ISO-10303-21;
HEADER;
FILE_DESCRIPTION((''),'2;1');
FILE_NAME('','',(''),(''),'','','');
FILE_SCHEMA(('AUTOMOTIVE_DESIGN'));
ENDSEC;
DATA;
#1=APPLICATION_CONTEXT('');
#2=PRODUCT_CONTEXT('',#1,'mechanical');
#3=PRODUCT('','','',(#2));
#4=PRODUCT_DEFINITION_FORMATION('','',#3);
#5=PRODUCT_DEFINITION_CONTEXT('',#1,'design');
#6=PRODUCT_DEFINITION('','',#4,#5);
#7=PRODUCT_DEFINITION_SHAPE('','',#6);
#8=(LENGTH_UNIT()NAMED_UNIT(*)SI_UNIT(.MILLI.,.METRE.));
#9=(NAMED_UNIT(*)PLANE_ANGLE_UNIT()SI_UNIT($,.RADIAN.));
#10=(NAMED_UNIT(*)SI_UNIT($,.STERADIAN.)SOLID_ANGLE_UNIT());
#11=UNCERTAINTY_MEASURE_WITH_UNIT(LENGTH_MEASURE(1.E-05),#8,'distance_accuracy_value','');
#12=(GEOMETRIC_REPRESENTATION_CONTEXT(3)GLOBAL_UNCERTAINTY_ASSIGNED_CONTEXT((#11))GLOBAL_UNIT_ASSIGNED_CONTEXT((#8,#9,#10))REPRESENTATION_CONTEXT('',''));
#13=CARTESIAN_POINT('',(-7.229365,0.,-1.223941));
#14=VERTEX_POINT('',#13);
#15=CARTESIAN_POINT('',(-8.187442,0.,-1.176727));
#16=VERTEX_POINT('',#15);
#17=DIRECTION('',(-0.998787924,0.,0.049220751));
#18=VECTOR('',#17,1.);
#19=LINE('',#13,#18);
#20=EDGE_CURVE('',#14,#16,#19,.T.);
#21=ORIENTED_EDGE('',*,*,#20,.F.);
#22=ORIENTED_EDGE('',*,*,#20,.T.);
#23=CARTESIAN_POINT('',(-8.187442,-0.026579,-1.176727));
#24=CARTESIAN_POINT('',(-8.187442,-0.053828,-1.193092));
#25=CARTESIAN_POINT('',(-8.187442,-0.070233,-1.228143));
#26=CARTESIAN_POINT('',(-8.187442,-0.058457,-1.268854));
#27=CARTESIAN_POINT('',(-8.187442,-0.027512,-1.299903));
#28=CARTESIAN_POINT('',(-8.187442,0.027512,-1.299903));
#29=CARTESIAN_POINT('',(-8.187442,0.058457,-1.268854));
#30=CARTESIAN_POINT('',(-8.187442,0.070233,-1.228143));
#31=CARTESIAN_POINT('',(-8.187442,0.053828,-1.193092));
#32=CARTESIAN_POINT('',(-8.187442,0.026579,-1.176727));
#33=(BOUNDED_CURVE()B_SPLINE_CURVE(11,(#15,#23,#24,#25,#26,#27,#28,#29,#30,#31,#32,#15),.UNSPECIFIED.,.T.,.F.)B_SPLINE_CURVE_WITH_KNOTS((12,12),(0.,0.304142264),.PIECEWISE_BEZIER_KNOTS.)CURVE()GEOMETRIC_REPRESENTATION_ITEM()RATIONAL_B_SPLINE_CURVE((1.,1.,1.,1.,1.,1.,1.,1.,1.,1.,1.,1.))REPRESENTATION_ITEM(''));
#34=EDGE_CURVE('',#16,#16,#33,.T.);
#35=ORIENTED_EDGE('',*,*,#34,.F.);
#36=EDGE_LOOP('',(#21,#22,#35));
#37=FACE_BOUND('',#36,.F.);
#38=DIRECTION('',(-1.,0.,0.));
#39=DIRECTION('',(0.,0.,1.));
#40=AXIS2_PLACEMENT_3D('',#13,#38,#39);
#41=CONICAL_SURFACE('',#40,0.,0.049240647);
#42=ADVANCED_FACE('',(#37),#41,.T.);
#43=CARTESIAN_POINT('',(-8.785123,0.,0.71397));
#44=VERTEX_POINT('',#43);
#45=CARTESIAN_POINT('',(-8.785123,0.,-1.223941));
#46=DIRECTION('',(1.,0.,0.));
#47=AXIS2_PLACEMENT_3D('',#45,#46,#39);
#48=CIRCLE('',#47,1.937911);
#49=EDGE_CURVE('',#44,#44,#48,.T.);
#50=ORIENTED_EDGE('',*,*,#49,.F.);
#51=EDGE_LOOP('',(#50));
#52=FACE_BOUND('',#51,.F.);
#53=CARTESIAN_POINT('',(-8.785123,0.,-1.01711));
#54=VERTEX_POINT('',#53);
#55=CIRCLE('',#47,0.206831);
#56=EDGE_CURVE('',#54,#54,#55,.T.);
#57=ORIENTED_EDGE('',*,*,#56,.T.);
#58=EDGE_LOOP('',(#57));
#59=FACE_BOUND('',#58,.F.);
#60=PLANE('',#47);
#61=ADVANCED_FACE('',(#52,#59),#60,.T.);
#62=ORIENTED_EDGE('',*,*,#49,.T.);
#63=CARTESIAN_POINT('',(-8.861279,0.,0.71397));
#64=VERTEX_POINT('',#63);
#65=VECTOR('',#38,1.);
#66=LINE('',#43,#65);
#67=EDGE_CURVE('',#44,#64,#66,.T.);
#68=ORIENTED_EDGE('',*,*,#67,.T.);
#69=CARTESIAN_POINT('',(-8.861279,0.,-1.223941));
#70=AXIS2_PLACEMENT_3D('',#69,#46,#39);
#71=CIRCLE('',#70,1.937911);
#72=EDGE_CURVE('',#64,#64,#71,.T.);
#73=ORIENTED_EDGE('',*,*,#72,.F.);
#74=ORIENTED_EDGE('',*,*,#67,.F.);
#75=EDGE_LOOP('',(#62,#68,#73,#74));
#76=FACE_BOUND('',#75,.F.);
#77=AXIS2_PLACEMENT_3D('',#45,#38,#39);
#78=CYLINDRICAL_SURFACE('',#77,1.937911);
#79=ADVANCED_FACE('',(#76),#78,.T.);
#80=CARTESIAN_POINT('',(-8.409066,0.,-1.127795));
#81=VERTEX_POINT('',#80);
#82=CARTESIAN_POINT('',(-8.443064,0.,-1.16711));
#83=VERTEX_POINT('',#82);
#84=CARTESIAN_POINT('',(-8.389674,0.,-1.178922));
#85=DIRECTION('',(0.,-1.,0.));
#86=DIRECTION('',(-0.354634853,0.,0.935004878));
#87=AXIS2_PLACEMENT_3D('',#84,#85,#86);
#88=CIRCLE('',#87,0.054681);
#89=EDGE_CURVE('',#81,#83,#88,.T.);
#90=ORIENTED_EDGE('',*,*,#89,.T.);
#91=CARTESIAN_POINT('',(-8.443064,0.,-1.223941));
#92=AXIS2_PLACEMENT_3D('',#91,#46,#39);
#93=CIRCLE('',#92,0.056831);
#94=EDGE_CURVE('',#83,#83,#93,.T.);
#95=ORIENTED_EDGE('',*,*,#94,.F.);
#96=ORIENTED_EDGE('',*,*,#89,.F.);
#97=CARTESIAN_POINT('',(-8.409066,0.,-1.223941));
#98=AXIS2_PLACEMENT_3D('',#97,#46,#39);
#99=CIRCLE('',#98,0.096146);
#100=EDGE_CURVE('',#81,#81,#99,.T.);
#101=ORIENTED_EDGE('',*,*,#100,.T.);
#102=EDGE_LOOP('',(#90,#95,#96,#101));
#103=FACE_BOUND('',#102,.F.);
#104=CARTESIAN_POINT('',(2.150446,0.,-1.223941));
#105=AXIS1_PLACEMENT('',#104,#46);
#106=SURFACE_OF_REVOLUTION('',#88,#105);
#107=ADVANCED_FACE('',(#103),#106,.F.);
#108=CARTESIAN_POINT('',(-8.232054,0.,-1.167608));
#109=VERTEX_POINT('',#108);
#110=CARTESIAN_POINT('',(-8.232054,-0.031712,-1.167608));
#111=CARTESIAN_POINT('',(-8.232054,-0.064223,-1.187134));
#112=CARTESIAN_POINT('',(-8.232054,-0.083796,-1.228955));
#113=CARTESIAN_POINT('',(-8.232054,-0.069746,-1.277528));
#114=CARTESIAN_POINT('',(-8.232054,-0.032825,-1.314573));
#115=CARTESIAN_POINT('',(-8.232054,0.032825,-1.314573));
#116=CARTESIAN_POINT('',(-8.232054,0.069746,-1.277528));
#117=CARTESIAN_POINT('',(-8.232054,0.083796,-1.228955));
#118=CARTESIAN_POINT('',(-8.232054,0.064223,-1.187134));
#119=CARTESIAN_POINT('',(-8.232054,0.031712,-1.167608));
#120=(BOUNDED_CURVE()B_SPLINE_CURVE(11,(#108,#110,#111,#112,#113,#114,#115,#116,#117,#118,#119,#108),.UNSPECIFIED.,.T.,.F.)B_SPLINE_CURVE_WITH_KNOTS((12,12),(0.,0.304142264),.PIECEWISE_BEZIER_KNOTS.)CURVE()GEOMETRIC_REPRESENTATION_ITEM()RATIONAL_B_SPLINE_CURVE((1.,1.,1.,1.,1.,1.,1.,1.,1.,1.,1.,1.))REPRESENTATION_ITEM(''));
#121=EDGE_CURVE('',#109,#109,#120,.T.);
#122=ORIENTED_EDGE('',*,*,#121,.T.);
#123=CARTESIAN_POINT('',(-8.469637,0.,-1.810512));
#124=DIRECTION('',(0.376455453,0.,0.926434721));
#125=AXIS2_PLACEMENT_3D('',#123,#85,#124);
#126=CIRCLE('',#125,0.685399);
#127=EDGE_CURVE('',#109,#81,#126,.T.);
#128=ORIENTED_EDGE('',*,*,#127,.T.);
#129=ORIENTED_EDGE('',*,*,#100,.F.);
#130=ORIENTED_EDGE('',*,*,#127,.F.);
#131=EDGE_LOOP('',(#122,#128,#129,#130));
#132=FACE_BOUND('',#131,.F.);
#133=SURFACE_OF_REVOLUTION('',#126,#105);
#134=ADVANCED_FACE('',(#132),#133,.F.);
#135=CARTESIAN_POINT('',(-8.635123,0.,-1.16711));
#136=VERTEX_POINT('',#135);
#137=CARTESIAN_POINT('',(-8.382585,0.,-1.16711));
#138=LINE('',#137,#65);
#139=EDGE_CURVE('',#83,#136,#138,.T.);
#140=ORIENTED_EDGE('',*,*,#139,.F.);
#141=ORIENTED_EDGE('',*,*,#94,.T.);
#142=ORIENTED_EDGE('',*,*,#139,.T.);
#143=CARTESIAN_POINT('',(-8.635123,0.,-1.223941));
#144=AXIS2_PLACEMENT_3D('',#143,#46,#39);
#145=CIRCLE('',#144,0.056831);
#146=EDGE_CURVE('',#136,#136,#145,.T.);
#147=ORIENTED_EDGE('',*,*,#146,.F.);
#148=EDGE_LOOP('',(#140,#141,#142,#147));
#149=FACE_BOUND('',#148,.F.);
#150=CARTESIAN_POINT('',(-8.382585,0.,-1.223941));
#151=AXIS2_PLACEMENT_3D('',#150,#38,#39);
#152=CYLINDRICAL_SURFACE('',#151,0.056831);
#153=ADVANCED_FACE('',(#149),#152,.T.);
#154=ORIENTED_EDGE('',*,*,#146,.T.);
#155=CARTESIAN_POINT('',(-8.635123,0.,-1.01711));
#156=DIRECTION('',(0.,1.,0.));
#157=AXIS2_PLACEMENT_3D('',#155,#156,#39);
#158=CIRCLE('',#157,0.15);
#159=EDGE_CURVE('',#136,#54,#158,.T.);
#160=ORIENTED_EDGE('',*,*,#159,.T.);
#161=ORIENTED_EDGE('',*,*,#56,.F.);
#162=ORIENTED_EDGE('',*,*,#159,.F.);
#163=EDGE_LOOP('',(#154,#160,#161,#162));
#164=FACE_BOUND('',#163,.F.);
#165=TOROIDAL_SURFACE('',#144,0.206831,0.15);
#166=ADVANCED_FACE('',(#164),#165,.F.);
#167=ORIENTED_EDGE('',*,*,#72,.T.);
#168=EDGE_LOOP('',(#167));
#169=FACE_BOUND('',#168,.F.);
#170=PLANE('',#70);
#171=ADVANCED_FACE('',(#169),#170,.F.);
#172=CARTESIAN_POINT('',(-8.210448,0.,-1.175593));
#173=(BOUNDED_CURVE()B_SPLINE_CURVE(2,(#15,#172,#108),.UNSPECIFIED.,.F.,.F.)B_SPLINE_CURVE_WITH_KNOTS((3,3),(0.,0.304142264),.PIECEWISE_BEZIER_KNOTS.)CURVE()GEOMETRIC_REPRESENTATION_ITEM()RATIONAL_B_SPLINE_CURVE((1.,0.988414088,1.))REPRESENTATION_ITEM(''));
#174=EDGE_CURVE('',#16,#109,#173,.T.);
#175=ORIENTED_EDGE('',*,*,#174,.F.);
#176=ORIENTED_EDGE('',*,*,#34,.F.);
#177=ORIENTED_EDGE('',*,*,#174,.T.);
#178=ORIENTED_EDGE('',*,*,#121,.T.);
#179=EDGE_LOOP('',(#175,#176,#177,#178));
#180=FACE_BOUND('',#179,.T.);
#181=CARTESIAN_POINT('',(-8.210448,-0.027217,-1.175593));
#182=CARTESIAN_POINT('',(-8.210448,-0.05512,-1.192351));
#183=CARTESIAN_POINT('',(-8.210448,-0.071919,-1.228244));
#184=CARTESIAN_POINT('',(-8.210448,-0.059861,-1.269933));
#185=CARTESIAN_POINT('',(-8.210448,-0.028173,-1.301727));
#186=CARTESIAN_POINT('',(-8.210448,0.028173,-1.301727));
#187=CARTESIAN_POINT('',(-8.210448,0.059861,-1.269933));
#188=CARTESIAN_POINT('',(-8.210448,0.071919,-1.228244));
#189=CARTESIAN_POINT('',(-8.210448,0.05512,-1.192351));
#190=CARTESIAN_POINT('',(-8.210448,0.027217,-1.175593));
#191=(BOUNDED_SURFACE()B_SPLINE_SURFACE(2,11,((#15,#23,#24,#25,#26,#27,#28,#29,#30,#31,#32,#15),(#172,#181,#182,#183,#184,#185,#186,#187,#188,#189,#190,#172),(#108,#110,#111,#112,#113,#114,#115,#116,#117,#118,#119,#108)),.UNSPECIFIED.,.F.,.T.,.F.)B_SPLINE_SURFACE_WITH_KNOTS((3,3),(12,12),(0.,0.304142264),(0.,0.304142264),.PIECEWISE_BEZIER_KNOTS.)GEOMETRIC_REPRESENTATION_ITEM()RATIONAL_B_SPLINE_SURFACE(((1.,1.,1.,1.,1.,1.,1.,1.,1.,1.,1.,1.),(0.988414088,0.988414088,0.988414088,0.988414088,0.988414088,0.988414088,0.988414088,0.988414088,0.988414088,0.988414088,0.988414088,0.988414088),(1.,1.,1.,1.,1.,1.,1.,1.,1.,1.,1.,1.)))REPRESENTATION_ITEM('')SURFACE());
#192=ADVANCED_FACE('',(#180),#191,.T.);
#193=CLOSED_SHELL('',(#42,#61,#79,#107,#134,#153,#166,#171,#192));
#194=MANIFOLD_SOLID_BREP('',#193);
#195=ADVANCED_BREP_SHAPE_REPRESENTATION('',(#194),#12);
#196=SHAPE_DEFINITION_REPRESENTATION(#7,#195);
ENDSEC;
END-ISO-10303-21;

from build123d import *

# Parameters (mm, degrees)
F2_R = 0.15


with BuildPart() as f1:
    # F0 (on Front) → F1 (revolve)
    with BuildSketch(Plane.XZ):
        Polygon((-8.8612791151, 0.7139704241), (-8.8612791151, -1.2239410314), (-7.2293654084, -1.2239410314), (-8.2116152161, -1.1755352867), (-8.3825848997, -1.1671098182), (-8.4430640563, -1.1671098182), (-8.7851230055, -1.1671098182), (-8.7851230055, 0.7139704241), align=None)
        with BuildLine():
            Line((-8.3825848997, -1.1671098182), (-8.2116152161, -1.1755352867))
            ThreePointArc((-8.2116152161, -1.1755352867), (-8.308562195, -1.1443096251), (-8.4090661258, -1.1277954327))
            ThreePointArc((-8.4090661258, -1.1277954327), (-8.4310348623, -1.1431549127), (-8.4430640563, -1.1671098182))
            Line((-8.4430640563, -1.1671098182), (-8.3825848997, -1.1671098182))
        make_face()
    revolve(axis=Axis((2.1504459168, 0, -1.2239410314), (1, 0, 0)))

    # F2
    f2_edges = [f1.edges().sort_by_distance(p)[0] for p in [
        (-8.785123, 0, -1.280772),
        (-8.211615, 0, -1.272347),
    ]]
    fillet(f2_edges, radius=F2_R)


solid = f1.part
